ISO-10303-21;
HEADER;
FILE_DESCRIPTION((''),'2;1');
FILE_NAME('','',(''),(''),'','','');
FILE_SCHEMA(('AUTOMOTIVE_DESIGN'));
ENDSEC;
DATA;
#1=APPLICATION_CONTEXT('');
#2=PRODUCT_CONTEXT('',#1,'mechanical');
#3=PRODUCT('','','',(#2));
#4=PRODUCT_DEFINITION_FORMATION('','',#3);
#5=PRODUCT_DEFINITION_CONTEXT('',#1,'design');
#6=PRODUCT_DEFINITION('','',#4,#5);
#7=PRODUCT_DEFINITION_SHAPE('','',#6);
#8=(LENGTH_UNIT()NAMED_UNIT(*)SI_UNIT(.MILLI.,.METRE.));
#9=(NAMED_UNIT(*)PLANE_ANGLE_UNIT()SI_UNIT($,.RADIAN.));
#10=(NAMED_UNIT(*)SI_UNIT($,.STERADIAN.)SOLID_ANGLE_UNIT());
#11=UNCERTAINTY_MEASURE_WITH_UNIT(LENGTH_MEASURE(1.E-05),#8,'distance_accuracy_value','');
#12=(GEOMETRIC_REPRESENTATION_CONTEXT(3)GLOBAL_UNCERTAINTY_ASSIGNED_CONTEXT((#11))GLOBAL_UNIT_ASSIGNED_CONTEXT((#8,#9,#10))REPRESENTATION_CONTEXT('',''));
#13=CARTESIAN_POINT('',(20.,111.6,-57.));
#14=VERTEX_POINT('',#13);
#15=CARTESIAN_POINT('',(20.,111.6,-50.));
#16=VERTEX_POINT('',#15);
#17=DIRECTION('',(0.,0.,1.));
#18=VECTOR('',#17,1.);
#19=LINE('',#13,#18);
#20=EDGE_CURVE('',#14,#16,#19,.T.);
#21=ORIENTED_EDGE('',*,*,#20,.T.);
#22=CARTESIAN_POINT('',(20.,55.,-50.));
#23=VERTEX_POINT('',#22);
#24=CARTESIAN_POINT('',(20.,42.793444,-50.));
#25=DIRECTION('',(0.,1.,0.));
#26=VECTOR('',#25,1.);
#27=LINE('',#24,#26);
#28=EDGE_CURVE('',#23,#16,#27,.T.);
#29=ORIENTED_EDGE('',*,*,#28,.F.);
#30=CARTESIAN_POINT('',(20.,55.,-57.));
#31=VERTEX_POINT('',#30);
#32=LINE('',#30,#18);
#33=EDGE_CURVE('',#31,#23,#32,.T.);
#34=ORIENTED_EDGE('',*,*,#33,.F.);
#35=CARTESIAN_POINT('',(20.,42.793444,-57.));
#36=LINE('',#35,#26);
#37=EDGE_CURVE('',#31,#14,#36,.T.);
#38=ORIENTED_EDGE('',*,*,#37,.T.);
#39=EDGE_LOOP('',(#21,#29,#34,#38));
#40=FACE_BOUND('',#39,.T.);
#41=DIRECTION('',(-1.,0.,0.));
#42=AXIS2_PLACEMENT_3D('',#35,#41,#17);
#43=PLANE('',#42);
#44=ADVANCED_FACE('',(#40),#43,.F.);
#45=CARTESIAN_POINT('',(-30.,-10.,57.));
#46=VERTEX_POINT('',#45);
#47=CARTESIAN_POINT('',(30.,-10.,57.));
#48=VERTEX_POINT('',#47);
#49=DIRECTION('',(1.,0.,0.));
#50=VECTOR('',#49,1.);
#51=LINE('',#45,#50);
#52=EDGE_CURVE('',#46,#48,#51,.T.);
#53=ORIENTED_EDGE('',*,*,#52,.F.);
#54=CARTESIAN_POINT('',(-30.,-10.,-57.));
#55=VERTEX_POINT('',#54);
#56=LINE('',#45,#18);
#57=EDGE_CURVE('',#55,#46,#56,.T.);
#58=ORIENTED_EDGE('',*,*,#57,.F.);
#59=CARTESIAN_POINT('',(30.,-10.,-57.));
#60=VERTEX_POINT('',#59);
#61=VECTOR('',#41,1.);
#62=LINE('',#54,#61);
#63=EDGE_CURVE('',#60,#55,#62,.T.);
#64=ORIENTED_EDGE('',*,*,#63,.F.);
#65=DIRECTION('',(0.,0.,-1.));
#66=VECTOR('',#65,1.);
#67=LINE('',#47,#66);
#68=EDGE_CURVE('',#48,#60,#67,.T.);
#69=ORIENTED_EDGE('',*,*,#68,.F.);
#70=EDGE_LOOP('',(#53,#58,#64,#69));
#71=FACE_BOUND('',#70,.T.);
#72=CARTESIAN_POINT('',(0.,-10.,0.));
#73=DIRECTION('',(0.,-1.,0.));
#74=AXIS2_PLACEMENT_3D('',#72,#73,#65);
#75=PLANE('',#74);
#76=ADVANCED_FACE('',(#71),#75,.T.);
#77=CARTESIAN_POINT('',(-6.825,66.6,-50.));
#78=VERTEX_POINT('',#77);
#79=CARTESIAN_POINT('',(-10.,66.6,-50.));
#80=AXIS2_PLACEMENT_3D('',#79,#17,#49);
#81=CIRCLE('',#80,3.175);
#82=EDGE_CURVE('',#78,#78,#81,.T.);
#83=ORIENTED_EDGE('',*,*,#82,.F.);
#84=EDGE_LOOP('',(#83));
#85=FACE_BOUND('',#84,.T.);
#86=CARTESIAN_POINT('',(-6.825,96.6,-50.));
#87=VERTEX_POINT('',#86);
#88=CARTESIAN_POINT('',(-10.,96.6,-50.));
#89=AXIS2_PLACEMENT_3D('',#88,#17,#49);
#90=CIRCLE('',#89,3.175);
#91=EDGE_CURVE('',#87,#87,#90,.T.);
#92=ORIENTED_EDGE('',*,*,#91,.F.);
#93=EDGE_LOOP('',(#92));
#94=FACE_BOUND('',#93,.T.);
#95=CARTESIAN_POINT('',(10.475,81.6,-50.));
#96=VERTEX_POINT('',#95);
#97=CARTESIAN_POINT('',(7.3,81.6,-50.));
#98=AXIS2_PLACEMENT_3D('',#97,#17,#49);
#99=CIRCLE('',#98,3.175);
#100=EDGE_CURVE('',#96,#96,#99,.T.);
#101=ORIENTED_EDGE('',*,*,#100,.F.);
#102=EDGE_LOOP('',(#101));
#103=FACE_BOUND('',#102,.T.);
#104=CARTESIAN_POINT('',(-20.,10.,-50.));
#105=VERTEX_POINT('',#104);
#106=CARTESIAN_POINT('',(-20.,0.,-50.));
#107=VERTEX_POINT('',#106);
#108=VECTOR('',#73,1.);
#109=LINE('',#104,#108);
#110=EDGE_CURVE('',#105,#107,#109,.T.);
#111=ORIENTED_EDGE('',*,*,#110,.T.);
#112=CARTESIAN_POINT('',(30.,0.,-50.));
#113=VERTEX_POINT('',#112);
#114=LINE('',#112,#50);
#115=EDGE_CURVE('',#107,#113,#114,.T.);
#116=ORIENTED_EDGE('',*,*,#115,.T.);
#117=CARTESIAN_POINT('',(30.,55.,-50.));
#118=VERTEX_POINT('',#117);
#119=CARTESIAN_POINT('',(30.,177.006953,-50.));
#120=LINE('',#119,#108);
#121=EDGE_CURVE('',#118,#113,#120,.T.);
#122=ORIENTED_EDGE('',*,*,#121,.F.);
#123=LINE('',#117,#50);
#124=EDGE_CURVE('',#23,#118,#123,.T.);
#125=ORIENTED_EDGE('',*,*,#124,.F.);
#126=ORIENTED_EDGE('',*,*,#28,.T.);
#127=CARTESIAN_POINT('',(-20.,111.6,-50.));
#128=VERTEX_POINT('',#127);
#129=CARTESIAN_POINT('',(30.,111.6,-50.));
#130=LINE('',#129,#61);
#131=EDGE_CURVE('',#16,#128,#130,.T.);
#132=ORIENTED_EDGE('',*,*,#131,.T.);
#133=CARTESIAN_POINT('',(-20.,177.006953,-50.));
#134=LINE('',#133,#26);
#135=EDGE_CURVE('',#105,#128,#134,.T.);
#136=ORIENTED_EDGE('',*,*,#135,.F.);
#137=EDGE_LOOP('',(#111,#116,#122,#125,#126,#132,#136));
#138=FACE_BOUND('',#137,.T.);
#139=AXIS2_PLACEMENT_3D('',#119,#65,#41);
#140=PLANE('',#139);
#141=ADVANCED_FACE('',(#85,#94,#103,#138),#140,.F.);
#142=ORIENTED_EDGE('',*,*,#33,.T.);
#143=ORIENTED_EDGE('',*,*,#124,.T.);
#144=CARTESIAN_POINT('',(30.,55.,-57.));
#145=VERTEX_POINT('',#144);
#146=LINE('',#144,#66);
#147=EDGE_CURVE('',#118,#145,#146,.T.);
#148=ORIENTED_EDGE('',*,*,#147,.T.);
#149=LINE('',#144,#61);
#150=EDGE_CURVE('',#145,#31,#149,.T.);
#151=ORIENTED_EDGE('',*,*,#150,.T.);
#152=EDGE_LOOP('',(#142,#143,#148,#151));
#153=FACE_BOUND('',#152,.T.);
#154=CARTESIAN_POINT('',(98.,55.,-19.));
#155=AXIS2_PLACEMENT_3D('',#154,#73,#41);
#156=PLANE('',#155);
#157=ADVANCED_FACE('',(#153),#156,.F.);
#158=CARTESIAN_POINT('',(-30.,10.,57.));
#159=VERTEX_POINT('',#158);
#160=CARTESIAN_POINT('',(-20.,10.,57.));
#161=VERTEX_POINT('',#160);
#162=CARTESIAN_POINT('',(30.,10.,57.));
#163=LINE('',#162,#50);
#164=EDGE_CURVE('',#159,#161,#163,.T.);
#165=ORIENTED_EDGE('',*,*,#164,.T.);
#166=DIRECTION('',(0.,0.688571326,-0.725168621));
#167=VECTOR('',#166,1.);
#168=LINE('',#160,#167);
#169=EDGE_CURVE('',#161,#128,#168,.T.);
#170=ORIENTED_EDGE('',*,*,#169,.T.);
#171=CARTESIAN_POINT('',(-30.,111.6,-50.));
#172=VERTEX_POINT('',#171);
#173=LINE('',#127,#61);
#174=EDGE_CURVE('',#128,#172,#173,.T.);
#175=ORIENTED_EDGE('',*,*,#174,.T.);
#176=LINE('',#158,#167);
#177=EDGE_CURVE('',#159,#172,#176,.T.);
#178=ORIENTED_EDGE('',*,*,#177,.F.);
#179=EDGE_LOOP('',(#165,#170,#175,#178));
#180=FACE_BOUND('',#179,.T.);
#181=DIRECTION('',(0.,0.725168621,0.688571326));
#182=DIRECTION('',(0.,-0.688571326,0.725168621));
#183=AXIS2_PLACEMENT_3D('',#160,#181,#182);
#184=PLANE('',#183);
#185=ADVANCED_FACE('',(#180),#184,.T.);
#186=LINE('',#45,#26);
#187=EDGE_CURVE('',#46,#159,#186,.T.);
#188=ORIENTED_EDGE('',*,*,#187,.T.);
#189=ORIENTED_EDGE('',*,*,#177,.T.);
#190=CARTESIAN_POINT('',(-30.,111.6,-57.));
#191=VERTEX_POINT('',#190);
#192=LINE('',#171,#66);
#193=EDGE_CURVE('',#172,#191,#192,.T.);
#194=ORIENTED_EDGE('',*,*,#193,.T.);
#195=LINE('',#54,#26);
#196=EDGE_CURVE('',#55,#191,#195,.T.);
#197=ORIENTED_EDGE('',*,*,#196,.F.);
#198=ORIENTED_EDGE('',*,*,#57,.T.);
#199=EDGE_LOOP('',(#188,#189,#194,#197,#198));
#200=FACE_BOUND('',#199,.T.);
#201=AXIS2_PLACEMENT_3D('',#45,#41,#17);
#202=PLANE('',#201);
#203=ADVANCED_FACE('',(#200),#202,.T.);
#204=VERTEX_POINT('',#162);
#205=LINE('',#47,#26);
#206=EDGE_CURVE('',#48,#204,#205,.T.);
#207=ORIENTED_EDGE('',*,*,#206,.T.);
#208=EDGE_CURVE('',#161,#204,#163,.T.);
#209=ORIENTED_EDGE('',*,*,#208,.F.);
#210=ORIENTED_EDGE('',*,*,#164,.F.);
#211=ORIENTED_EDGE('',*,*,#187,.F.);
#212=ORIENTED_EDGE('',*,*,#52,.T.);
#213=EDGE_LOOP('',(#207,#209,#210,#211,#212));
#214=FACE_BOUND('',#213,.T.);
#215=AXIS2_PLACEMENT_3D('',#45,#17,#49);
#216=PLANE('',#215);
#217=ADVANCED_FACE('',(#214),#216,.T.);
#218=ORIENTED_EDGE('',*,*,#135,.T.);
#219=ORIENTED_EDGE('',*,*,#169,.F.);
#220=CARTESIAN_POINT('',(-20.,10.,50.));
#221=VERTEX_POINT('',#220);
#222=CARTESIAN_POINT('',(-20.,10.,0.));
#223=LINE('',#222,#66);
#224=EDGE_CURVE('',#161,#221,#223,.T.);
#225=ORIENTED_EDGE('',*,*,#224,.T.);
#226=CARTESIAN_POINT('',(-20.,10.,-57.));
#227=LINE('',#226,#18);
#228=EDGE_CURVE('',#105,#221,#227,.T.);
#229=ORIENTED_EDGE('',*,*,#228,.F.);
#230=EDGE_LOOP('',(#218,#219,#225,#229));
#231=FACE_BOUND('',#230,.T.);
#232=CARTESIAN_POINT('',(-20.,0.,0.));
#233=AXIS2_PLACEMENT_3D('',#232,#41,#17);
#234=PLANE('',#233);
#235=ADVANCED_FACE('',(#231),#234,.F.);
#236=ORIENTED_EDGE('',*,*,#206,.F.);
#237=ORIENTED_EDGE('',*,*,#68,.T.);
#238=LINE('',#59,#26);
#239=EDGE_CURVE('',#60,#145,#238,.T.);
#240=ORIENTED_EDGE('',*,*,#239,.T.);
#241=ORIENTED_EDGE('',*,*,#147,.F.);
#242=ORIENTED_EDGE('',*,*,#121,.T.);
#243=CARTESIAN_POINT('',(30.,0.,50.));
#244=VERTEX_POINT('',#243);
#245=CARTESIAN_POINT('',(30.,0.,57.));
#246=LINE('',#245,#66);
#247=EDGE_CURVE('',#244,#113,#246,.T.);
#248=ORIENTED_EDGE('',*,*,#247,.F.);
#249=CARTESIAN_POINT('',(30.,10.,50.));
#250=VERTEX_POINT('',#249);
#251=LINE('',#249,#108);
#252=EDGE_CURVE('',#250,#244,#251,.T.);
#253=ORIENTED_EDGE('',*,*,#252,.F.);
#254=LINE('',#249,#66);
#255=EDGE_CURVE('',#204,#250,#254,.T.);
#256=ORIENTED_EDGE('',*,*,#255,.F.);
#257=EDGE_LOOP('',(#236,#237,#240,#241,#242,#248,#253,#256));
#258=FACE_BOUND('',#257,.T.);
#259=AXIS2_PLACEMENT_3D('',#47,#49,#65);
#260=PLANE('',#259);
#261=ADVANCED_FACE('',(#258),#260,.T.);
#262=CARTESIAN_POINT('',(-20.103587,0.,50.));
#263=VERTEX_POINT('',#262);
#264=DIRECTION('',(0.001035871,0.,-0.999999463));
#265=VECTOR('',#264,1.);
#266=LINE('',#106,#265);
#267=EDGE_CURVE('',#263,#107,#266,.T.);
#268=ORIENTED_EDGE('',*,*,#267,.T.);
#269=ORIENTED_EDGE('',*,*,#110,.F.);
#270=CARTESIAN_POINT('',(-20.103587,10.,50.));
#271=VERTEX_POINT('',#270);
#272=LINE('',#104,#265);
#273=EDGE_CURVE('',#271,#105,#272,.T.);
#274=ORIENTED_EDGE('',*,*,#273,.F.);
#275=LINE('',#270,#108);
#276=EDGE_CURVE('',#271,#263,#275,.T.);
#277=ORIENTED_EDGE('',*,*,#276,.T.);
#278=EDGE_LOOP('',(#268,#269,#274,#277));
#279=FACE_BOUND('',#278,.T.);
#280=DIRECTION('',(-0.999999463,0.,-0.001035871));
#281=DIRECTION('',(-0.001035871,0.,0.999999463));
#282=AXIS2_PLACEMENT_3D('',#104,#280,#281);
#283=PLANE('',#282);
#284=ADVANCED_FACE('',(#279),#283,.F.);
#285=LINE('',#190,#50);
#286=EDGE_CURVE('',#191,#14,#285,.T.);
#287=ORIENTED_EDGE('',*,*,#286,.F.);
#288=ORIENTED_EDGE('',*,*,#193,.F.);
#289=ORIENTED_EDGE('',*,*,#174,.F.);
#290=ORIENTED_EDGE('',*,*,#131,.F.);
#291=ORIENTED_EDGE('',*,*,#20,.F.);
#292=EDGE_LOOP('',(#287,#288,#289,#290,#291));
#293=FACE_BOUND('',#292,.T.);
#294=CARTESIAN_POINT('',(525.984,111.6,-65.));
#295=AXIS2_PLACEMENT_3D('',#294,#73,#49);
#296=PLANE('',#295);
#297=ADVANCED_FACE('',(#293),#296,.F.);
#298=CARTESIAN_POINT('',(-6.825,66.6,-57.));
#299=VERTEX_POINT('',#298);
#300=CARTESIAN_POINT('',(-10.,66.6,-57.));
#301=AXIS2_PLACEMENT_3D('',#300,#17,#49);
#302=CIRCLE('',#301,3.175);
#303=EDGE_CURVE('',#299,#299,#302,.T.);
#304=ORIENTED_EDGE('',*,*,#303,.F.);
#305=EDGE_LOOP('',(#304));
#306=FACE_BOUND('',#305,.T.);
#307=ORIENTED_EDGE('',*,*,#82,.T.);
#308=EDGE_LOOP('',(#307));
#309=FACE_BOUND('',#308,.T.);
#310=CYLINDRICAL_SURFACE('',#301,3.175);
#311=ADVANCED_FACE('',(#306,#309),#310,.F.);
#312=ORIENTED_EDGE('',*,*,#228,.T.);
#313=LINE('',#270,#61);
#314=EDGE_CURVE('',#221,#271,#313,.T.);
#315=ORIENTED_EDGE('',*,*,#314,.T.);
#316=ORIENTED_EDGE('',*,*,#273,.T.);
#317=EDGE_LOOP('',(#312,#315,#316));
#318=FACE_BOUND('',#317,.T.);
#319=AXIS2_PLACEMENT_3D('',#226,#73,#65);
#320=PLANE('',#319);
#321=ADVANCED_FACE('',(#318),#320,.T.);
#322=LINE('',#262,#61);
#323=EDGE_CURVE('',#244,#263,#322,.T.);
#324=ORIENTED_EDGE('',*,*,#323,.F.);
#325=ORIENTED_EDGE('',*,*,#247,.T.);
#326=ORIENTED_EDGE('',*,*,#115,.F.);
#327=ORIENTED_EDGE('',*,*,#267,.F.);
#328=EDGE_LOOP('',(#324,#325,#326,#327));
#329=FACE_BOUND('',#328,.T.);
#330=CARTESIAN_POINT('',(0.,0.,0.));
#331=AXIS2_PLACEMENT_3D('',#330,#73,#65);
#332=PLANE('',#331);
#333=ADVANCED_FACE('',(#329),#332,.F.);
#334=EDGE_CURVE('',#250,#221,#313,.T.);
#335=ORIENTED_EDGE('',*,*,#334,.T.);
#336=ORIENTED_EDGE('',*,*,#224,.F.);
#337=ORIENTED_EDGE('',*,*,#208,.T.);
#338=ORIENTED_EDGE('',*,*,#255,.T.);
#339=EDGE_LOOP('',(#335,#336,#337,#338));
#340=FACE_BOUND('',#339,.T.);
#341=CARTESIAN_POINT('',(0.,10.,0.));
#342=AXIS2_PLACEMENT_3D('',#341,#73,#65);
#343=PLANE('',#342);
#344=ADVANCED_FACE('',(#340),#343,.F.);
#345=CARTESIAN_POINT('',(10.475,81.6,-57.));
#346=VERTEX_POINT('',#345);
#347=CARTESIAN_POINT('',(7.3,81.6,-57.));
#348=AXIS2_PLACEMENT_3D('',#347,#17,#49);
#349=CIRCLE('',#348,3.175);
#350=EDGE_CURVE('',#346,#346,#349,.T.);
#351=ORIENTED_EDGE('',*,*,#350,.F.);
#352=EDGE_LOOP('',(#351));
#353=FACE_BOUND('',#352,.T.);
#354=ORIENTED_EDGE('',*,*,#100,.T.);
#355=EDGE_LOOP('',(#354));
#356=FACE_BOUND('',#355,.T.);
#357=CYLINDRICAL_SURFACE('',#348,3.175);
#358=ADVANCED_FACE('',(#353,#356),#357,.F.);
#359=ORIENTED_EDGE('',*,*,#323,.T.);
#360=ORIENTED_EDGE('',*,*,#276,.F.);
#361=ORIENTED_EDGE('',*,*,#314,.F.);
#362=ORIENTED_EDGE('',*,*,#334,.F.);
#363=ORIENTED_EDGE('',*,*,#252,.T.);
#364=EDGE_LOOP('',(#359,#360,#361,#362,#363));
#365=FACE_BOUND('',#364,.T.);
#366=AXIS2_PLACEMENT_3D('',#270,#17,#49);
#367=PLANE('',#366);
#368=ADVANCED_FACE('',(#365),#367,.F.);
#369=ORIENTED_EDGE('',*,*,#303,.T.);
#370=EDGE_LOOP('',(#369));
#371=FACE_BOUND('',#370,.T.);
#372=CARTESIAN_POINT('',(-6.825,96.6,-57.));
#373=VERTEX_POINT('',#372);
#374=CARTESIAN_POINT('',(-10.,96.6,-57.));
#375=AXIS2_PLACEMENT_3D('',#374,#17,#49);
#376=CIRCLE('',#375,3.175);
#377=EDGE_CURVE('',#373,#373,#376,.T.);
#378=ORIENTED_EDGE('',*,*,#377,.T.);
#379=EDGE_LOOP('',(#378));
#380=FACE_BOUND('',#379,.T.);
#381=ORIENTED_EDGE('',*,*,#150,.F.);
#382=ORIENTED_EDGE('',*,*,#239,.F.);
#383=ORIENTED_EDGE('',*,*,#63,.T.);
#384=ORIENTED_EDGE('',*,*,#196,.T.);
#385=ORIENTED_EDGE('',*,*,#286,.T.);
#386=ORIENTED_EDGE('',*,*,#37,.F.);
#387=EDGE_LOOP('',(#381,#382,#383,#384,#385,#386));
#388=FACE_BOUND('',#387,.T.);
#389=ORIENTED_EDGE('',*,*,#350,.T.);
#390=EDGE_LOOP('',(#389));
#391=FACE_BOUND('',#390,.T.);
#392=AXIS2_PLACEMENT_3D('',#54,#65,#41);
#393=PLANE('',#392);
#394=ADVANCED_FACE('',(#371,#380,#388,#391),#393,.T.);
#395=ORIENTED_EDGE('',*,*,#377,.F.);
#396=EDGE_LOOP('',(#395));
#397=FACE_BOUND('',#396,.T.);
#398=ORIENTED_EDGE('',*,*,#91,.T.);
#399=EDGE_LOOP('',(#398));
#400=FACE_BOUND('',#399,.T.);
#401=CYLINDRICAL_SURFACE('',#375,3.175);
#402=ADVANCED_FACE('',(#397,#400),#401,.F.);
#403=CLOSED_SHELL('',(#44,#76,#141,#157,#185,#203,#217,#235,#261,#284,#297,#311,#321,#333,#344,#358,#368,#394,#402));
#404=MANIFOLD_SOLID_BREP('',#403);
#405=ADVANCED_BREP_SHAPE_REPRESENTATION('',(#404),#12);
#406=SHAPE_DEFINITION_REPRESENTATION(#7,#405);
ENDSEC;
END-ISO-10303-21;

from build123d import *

# Parameters (mm, degrees)
SKETCH1_W           = 60
SKETCH1_H           = 114
BOSS_EXTRUDE1_DEPTH = 10
SKETCH3_W           = 60
SKETCH3_H           = 7
BOSS_EXTRUDE2_DEPTH = 111.6
BOSS_EXTRUDE5_DEPTH = 10
BOSS_EXTRUDE3_DEPTH = 10
SKETCH7_W           = 10
SKETCH7_H           = 7
CUT_EXTRUDE1_DEPTH  = 56.6
SKETCH8_R           = 3.175
CUT_EXTRUDE2_DEPTH  = 8


with BuildPart() as part:
    # Sketch1 → Boss-Extrude1 (new body)
    with BuildSketch(Plane(origin=(0, 0, 0), x_dir=(1, 0, 0), z_dir=(0, 1, 0))):
        Rectangle(SKETCH1_W, SKETCH1_H)
    extrude(amount=-BOSS_EXTRUDE1_DEPTH)

    # Sketch3 → Boss-Extrude2 (add)
    with BuildSketch(Plane(origin=(0, 0, 0), x_dir=(1, 0, 0), z_dir=(0, 1, 0))):
        with Locations((0, 53.5)):
            Rectangle(SKETCH3_W, SKETCH3_H)
    extrude(amount=BOSS_EXTRUDE2_DEPTH)

    # Sketch6 → Boss-Extrude5 (add)
    with BuildSketch(Plane(origin=(0, 0, 0), x_dir=(1, 0, 0), z_dir=(0, 1, 0))):
        Polygon((-30, 50), (-20, 50), (-20.103587149, -50), (30, -50), (30, -57), (-30, -57), align=None)
    extrude(amount=BOSS_EXTRUDE5_DEPTH)

    # Sketch4 → Boss-Extrude3 (add)
    with BuildSketch(Plane.ZY.offset(30)):
        Polygon((-57, 10), (57, 10), (-50, 111.6), (-57, 111.6), align=None)
    extrude(amount=-BOSS_EXTRUDE3_DEPTH)

    # Sketch7 → Cut-Extrude1 (cut)
    with BuildSketch(Plane(origin=(0, 111.6, 0), x_dir=(1, 0, 0), z_dir=(0, 1, 0))):
        with Locations((25, 53.5)):
            Rectangle(SKETCH7_W, SKETCH7_H)
    extrude(amount=-CUT_EXTRUDE1_DEPTH, mode=Mode.SUBTRACT)

    # Sketch8 → Cut-Extrude2 (cut, through all)
    with BuildSketch(Plane.XY.offset(-50)):
        with Locations((-10, 96.6)):
            Circle(SKETCH8_R)
        with Locations((7.3, 81.6)):
            Circle(SKETCH8_R)
        with Locations((-10, 66.6)):
            Circle(SKETCH8_R)
    extrude(amount=-CUT_EXTRUDE2_DEPTH, mode=Mode.SUBTRACT)


solid = part.part
